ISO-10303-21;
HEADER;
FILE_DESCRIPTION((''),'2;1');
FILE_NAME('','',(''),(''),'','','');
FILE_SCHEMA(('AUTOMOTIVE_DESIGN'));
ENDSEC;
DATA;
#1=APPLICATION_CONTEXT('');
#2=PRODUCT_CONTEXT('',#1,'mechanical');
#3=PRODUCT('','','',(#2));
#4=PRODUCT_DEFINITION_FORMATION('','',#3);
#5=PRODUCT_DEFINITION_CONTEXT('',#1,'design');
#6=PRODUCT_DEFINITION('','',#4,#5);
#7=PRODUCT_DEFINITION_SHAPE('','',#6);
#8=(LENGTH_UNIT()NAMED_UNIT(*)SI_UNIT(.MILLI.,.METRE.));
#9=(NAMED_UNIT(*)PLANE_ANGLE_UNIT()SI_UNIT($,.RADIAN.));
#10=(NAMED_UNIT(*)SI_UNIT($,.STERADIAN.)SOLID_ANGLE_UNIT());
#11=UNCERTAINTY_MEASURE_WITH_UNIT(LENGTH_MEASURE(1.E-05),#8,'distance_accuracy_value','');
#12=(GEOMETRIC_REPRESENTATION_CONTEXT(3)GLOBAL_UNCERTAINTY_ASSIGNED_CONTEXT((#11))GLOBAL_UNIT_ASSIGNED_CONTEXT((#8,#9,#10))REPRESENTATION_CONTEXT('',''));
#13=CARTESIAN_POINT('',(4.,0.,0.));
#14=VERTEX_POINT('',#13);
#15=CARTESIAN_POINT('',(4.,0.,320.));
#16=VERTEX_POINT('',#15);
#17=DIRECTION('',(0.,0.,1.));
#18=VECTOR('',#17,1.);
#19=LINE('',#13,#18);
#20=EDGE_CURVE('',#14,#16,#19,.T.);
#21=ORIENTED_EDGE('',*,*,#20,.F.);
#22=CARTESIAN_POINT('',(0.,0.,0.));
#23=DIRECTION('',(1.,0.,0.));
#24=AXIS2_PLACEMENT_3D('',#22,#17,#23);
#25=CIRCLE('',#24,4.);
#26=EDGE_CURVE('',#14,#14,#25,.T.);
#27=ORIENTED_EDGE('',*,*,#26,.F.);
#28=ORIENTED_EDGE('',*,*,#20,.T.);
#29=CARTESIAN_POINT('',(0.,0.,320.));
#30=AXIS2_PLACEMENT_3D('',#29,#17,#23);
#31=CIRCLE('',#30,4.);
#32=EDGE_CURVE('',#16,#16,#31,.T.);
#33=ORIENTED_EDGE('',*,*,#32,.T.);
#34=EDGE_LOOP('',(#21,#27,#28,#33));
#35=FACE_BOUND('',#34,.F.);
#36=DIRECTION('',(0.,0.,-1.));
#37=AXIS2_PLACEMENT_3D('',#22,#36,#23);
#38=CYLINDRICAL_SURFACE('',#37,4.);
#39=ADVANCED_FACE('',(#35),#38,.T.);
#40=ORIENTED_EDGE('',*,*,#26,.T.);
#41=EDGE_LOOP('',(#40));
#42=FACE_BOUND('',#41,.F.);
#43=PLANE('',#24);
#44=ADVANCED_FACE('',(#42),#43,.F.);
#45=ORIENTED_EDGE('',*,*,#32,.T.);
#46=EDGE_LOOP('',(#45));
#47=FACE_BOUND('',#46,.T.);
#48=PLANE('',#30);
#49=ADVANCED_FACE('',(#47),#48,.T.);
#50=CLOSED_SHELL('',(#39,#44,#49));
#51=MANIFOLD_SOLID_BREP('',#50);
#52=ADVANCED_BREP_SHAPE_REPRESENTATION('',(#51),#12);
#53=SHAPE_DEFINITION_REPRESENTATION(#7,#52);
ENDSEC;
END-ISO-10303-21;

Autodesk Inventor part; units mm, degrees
ref_plane "YZ Plane" through (0, 0, 0) normal (1, 0, 0) x (0, 1, 0)
ref_plane "XZ Plane" through (0, 0, 0) normal (0, 1, 0) x (-1, 0, 0)
ref_plane "XY Plane" through (0, 0, 0) normal (0, 0, 1) x (1, 0, 0)
sketch "Sketch1" plane through (0, 0, 0) normal (0, 0, 1) x (1, 0, 0)
  circle A0 centre (0, 0) radius 4
  dimension "d0" = 8
extrude "Extrusion1" add sketch "Sketch1" along normal blind 320
properties part number "320mm mil"
